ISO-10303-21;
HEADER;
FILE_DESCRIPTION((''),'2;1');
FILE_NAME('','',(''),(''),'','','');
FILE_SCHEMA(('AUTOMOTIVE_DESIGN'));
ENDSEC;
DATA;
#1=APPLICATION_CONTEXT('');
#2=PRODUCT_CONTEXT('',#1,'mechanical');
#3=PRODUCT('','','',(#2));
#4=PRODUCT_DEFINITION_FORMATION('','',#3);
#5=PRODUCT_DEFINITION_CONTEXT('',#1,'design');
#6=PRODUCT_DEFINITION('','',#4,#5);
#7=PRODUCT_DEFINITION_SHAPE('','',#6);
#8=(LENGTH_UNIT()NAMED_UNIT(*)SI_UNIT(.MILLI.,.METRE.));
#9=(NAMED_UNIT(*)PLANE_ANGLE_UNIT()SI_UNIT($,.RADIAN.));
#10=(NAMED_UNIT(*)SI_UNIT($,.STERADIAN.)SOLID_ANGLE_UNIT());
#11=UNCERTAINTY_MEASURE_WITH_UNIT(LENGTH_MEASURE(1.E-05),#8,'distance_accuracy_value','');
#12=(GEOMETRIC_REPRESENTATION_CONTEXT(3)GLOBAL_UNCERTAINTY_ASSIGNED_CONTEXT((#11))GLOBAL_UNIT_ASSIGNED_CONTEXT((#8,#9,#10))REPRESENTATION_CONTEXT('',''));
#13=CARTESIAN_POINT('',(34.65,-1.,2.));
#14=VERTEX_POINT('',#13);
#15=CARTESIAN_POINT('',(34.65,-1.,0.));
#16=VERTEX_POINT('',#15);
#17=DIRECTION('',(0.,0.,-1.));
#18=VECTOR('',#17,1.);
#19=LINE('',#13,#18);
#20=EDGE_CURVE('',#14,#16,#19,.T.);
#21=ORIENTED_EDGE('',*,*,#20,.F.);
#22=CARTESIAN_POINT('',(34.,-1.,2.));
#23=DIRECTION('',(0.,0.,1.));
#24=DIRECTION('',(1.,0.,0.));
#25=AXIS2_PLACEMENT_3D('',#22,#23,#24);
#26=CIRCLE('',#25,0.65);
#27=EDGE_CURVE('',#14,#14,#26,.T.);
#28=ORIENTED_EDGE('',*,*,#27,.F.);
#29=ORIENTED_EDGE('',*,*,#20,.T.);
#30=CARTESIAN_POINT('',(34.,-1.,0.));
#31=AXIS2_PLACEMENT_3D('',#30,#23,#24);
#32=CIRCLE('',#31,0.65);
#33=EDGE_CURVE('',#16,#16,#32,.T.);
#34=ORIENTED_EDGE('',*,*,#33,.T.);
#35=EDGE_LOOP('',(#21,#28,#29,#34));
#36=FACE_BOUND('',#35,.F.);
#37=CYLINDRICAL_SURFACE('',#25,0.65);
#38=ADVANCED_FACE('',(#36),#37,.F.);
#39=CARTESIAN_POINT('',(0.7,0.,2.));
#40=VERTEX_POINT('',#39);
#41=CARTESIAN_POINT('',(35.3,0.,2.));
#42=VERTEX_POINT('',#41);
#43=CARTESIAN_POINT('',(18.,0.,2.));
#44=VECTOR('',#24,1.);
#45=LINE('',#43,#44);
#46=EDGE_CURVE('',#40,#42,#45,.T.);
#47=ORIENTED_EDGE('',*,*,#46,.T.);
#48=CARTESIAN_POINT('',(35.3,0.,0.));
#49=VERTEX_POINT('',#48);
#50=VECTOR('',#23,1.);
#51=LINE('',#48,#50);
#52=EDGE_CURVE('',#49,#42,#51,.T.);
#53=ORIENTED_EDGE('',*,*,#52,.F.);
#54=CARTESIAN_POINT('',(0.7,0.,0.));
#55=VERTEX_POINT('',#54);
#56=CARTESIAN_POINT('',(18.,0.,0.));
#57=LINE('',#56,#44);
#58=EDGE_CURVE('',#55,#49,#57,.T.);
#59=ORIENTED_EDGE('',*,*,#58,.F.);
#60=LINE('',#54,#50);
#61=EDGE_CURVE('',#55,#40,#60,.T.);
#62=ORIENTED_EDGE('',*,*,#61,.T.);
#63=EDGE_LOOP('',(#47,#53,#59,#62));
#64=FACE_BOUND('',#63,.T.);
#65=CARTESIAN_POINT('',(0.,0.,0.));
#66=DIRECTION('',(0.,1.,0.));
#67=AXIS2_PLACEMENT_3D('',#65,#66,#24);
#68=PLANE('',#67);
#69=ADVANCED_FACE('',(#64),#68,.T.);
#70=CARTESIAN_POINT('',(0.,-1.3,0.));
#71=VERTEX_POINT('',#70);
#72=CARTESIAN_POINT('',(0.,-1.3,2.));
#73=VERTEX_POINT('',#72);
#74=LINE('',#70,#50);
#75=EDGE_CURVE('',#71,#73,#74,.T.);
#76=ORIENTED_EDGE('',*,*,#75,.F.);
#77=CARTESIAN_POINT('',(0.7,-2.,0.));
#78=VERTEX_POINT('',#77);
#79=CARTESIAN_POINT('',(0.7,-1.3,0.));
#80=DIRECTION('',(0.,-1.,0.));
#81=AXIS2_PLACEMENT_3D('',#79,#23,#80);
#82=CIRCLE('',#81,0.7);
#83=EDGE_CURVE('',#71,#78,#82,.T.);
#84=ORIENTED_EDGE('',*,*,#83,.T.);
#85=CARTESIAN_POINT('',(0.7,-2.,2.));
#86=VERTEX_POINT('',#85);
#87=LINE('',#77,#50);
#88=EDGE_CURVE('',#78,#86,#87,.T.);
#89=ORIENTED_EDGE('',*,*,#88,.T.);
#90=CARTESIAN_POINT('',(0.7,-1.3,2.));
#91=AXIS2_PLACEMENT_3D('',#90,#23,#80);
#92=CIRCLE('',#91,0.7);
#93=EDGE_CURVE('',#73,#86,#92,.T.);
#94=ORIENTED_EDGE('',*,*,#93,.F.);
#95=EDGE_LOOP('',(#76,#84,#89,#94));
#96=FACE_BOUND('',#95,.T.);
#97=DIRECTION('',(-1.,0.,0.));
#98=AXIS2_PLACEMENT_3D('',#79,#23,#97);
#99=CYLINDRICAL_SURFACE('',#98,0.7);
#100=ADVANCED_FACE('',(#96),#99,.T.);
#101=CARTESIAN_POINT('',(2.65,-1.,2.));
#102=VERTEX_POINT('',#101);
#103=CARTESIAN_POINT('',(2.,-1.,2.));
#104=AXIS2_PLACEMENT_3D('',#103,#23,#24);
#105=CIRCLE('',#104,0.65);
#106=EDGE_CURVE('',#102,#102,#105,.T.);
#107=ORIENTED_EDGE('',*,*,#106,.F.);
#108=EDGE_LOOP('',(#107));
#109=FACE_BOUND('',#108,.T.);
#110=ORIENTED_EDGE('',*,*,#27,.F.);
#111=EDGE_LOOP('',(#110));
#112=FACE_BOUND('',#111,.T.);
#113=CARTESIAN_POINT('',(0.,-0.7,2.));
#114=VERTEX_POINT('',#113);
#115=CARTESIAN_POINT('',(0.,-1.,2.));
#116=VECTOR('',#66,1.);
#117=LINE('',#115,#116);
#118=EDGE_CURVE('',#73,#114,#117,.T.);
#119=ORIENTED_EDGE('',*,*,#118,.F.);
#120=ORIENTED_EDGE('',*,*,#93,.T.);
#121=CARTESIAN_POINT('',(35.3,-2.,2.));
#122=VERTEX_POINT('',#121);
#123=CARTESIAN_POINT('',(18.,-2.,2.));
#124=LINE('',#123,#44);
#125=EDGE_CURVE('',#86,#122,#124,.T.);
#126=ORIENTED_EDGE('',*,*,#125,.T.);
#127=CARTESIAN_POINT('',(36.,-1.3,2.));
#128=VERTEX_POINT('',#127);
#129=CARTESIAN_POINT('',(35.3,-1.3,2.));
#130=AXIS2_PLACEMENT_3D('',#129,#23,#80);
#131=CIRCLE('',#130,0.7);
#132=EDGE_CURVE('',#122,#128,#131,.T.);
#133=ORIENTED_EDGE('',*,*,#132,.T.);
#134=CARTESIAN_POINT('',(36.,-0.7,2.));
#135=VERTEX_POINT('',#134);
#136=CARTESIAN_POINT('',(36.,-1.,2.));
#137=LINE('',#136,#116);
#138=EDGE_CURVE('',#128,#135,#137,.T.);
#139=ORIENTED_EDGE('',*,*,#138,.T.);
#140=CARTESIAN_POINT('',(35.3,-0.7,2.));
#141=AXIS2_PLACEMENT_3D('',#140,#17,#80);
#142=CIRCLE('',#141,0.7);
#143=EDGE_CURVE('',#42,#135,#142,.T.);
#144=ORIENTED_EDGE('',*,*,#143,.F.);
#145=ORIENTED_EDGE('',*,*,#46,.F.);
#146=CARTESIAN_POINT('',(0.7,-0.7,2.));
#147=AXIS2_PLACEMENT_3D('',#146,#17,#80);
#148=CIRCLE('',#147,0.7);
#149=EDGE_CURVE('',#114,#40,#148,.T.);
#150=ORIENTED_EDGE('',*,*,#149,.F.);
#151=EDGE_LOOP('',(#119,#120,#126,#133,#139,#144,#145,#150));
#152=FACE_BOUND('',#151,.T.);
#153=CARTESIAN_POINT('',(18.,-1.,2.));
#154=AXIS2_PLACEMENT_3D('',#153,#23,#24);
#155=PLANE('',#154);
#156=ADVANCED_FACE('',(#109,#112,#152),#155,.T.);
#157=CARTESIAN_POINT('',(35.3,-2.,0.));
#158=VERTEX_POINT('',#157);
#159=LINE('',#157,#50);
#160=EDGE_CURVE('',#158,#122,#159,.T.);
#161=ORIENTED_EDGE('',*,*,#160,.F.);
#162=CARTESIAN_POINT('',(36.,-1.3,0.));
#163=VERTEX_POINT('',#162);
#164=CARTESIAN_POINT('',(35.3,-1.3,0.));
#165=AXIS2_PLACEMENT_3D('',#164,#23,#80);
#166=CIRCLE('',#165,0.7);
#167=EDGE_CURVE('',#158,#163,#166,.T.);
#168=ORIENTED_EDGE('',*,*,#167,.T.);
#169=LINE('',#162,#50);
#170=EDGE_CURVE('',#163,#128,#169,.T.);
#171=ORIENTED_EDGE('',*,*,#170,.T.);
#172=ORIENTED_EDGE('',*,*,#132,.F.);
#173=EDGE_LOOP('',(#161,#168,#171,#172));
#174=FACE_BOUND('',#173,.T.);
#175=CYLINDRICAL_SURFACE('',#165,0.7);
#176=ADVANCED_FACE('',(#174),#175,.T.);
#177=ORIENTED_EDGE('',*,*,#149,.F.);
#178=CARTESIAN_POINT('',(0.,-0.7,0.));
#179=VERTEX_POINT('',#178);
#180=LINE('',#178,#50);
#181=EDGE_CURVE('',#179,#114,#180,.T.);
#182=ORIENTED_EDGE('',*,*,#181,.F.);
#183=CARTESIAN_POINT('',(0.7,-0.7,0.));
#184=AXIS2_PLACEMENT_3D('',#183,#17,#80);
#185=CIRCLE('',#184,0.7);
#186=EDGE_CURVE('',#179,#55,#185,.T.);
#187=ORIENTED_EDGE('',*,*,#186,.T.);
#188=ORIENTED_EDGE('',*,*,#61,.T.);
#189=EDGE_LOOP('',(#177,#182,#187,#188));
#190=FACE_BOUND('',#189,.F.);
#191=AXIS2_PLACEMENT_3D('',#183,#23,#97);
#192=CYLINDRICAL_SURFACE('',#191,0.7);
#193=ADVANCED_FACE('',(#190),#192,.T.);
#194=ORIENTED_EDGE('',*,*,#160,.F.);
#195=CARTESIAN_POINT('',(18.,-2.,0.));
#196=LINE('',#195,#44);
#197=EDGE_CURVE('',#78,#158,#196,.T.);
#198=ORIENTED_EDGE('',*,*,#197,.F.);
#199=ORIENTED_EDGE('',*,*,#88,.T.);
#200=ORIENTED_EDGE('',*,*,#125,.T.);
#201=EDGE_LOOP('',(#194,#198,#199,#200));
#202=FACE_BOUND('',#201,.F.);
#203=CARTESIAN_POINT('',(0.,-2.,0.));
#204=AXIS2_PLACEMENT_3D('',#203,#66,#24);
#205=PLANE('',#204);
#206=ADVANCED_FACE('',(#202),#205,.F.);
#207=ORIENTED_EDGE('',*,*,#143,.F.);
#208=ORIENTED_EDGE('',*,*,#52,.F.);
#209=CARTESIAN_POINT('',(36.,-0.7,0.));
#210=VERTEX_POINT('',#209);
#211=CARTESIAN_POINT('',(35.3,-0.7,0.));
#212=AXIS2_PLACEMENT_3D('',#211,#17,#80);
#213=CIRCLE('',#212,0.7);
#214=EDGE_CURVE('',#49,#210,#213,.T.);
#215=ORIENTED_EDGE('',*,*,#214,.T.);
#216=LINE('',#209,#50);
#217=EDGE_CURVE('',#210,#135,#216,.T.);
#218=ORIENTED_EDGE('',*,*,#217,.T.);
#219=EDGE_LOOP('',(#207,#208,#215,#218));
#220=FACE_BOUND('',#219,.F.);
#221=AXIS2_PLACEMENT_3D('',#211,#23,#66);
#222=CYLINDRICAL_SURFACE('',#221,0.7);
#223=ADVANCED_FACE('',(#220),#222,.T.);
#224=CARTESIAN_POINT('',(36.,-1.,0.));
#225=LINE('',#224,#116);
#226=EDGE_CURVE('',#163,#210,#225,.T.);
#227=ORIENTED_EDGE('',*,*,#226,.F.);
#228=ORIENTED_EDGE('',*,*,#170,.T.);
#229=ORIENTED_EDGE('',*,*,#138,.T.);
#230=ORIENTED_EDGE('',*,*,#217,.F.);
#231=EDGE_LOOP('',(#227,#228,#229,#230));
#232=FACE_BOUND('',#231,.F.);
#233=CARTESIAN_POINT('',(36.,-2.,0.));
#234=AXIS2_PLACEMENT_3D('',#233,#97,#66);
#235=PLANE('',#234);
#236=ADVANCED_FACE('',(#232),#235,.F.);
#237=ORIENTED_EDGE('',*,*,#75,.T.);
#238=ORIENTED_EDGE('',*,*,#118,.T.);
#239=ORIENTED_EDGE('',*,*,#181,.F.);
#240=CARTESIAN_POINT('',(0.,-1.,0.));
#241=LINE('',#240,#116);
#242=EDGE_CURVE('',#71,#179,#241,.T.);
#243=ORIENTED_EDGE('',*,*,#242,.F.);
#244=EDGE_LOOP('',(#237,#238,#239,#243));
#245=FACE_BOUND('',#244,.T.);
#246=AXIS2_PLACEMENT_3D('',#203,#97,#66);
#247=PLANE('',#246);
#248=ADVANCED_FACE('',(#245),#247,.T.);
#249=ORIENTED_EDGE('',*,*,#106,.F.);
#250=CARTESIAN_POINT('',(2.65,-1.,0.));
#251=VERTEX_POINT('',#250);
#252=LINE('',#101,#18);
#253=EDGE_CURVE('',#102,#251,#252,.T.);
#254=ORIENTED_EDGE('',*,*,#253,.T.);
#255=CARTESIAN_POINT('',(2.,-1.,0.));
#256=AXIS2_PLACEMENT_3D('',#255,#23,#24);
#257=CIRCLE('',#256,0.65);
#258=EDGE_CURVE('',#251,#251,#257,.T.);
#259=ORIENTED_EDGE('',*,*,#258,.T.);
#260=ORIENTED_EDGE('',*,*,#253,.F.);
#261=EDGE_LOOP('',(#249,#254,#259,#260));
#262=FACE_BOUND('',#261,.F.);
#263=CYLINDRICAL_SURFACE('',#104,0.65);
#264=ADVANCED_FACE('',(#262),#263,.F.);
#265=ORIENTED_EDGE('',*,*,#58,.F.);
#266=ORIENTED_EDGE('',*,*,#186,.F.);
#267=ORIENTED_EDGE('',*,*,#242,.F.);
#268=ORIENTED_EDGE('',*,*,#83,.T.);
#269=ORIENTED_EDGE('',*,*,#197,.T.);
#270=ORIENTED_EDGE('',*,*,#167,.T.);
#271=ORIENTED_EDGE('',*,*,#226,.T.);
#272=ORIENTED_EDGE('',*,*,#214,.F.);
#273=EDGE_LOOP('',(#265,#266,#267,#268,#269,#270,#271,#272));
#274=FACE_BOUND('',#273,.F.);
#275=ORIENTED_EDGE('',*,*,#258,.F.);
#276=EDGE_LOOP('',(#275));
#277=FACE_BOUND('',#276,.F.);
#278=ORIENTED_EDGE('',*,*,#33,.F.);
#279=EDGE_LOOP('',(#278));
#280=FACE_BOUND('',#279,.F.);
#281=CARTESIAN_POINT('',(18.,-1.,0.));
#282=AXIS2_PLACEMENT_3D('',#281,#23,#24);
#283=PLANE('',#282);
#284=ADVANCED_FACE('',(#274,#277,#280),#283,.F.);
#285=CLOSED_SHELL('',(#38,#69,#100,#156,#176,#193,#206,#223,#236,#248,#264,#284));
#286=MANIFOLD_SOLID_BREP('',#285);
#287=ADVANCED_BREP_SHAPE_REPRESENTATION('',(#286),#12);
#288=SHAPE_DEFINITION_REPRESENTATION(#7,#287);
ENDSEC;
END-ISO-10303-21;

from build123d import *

# Parameters (mm, degrees)
SKETCH003_W     = 36
SKETCH003_H     = 2
PAD_DEPTH       = 2
SKETCH004_R     = 0.65
POCKET001_DEPTH = 5
FILLET_R        = 0.7


with BuildPart() as part:
    # Sketch003 → Pad (new body)
    with BuildSketch(Plane.XY):
        with Locations((18, -1)):
            Rectangle(SKETCH003_W, SKETCH003_H)
    extrude(amount=PAD_DEPTH)

    # Sketch004 (on Face6 of Pad) → Pocket001 (cut)
    with BuildSketch(Plane.XY.offset(2)):
        with Locations((2, -1)):
            Circle(SKETCH004_R)
        with Locations((34, -1)):
            Circle(SKETCH004_R)
    extrude(amount=-POCKET001_DEPTH, mode=Mode.SUBTRACT)

    # Fillet
    fillet_edges = [part.edges().sort_by_distance(p)[0] for p in [
        (0, 0, 1),
        (0, -2, 1),
        (36, -2, 1),
        (36, 0, 1),
    ]]
    fillet(fillet_edges, radius=FILLET_R)


solid = part.part
